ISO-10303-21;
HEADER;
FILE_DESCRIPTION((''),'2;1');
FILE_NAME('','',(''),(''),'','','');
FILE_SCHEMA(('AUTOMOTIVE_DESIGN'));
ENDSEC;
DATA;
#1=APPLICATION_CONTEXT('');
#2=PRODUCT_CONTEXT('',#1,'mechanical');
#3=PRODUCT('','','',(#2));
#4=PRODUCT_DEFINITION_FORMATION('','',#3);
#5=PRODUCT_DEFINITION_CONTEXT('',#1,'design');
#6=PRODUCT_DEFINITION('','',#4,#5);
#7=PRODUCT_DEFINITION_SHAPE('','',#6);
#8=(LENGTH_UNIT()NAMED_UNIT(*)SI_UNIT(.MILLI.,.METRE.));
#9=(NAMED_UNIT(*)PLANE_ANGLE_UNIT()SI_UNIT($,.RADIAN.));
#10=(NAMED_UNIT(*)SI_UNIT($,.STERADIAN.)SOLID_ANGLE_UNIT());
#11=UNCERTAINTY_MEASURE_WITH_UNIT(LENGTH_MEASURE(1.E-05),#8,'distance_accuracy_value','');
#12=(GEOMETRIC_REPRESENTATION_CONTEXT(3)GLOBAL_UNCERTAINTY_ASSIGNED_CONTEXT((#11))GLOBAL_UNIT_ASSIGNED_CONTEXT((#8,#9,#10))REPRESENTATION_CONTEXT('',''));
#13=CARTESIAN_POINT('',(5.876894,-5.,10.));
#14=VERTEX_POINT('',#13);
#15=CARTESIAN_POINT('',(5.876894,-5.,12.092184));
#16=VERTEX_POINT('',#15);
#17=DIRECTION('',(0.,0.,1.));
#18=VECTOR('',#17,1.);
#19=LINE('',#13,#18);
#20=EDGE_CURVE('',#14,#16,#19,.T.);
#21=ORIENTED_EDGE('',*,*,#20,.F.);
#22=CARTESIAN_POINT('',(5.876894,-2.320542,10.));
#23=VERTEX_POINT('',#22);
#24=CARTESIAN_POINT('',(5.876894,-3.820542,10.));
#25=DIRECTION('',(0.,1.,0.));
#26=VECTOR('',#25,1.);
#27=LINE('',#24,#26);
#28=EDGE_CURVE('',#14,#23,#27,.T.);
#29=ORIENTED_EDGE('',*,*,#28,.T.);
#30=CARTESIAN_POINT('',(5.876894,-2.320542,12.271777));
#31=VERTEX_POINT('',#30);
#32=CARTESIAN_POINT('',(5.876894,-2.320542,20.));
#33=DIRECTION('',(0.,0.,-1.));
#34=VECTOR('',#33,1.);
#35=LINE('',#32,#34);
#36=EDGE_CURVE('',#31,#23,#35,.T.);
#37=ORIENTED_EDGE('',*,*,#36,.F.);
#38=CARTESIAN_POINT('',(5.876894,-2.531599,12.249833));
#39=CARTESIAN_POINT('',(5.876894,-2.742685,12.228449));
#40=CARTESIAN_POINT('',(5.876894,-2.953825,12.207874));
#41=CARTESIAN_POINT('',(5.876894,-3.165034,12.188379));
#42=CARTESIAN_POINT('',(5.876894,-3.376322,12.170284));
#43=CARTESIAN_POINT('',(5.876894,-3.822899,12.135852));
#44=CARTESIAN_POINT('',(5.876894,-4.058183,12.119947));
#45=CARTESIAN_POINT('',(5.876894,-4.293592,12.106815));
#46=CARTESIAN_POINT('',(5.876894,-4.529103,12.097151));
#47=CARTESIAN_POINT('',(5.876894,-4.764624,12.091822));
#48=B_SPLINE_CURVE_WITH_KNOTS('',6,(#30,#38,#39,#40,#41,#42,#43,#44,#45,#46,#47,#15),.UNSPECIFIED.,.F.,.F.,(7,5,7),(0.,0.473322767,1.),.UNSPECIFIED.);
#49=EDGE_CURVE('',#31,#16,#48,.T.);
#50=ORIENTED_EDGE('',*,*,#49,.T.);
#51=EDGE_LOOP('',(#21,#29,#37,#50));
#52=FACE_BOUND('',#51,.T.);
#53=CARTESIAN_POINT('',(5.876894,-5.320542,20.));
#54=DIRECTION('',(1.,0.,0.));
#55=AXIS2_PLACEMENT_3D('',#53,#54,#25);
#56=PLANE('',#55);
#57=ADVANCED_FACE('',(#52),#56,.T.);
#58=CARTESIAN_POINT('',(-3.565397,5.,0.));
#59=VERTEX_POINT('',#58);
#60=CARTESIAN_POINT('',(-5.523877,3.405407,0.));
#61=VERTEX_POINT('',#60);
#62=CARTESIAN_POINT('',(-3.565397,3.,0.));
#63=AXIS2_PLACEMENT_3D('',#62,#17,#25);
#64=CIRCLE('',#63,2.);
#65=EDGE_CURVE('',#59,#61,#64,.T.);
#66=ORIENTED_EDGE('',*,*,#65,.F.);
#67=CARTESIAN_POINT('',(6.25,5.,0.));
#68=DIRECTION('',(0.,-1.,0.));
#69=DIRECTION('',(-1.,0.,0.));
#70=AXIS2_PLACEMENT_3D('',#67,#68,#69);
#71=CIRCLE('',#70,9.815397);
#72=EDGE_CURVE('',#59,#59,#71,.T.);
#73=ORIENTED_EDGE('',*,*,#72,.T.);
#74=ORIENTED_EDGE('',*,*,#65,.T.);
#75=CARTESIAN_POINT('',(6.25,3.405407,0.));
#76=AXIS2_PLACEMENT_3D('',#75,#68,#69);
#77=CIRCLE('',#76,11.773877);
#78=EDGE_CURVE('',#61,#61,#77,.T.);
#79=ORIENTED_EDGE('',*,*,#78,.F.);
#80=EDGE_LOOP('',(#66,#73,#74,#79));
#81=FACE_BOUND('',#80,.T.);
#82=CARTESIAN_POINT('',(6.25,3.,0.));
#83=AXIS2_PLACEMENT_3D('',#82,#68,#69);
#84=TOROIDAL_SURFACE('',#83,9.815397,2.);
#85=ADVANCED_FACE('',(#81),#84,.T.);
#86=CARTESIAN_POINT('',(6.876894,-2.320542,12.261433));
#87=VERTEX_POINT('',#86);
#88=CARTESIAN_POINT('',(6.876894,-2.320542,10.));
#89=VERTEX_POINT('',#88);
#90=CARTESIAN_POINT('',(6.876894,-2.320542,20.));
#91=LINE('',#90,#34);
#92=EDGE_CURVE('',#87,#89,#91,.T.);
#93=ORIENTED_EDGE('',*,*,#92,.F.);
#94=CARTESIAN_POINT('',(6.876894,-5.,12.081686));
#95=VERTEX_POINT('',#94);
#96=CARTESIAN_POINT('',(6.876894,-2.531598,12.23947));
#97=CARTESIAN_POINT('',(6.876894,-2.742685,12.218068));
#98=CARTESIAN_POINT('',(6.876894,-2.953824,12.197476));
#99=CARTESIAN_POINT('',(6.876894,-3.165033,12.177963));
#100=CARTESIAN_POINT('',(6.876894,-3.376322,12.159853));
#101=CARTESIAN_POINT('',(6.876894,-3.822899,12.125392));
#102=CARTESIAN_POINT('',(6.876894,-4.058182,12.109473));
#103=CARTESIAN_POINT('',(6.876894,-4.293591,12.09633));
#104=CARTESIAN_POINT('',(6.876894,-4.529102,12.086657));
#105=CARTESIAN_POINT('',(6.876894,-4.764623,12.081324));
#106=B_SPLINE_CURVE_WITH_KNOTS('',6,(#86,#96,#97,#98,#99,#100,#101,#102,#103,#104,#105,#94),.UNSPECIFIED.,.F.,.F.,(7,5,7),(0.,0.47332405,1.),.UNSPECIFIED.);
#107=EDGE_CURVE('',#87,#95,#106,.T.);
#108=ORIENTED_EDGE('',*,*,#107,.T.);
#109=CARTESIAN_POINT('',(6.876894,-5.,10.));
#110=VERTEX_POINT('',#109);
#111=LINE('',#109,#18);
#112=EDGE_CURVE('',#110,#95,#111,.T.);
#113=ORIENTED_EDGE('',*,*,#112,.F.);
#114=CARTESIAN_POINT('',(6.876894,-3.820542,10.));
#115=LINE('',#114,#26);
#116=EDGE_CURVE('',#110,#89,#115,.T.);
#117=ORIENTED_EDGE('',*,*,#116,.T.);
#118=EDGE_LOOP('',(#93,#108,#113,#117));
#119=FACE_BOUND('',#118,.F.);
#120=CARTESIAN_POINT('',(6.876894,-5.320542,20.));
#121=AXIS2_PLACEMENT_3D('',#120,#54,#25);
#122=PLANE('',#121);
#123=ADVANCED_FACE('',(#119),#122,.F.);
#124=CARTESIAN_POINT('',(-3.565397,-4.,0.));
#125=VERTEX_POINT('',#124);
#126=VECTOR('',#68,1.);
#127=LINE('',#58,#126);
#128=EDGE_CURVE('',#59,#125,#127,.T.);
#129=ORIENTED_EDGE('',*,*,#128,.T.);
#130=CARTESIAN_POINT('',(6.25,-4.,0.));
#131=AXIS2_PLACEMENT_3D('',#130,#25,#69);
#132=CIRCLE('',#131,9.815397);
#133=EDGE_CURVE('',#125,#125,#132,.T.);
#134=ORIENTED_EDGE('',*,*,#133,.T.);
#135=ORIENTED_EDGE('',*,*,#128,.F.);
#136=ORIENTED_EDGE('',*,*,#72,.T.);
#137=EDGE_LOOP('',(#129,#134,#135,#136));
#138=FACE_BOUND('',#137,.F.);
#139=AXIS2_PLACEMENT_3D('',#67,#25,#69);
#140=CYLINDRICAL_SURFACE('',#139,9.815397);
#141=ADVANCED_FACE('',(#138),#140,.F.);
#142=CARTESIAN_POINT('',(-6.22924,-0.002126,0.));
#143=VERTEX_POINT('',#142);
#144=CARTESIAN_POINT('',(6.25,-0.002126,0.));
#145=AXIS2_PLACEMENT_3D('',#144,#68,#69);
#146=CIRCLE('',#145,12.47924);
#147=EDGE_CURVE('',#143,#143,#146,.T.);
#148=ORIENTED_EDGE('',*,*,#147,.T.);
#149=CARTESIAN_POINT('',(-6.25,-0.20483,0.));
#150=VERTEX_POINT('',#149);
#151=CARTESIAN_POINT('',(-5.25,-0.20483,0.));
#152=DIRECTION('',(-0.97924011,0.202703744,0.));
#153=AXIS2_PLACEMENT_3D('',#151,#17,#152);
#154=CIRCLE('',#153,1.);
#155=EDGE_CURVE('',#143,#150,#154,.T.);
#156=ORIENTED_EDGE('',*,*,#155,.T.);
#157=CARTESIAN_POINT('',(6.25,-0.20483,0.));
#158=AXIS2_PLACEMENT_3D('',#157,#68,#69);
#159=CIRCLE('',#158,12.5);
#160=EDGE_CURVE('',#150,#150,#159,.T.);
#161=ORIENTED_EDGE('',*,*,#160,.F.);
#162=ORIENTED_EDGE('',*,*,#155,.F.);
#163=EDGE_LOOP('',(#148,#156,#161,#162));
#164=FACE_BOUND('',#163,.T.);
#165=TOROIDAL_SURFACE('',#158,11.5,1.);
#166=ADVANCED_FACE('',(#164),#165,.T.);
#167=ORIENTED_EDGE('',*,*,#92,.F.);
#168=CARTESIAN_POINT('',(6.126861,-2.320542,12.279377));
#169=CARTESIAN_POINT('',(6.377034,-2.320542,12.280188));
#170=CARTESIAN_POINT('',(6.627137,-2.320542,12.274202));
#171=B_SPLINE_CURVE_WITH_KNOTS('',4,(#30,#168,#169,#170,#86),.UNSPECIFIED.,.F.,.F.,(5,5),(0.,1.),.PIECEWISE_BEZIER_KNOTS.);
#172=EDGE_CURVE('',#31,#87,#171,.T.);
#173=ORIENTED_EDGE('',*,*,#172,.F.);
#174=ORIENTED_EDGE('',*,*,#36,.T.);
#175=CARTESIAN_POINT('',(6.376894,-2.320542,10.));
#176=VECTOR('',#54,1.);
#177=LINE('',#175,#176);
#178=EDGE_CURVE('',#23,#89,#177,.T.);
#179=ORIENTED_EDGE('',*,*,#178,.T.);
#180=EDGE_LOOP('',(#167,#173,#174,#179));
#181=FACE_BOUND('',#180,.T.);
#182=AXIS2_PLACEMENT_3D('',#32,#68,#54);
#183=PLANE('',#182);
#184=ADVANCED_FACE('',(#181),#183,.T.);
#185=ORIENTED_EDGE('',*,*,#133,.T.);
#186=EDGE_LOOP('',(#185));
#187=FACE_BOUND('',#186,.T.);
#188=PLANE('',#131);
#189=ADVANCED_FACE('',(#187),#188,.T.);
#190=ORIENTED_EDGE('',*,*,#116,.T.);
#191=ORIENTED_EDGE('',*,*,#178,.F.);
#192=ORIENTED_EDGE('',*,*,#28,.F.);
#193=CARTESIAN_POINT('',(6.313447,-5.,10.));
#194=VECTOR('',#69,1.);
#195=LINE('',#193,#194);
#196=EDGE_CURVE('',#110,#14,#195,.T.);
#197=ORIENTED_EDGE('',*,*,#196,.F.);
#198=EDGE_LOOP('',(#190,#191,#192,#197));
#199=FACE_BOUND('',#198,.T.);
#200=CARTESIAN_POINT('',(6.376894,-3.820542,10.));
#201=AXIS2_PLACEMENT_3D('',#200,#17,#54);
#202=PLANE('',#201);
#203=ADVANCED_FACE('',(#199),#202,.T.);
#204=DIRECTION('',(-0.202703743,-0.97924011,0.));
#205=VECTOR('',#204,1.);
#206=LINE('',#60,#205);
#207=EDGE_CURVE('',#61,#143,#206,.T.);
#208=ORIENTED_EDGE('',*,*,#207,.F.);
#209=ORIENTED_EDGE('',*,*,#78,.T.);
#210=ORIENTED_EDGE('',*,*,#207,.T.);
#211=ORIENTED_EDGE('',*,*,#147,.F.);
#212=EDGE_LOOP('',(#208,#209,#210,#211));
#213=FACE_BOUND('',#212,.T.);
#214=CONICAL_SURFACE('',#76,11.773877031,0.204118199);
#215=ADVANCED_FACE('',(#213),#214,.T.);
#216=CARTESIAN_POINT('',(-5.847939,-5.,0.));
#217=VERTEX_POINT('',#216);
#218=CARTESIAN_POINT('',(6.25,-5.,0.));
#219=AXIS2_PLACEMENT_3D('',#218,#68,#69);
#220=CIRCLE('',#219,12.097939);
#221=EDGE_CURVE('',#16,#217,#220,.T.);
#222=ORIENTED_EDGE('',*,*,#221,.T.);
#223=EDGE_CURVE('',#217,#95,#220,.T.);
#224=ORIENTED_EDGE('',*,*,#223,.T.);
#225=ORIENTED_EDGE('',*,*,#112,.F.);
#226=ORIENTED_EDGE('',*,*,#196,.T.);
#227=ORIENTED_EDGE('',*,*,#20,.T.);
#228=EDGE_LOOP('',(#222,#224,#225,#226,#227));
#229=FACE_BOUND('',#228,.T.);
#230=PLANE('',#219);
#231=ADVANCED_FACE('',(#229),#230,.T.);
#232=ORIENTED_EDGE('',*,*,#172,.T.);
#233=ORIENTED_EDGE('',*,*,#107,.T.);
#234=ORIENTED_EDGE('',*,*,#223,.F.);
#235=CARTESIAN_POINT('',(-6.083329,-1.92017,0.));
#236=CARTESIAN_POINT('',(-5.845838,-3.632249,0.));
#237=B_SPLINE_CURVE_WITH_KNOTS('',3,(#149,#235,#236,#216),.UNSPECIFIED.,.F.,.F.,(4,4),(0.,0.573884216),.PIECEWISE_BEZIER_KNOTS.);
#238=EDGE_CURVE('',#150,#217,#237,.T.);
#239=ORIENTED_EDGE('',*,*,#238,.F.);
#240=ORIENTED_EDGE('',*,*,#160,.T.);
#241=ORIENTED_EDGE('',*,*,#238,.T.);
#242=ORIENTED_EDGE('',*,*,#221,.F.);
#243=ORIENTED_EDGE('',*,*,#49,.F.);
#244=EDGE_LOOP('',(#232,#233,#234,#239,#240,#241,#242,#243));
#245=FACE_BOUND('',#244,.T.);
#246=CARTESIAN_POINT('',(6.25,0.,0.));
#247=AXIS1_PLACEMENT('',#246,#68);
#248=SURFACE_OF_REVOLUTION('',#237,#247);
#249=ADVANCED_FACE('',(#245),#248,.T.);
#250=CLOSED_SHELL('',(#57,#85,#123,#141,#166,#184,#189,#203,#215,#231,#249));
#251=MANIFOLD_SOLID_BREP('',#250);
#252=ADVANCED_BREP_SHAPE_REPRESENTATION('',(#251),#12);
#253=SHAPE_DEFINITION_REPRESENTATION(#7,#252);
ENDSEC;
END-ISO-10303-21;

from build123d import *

# Parameters (mm, degrees)
F2_R     = 9.8153968116
F3_DEPTH = 9
F5_W     = 1
F5_H     = 3
F6_DEPTH = 10


with BuildPart() as f1:
    # F0 (on Top) → F1 (revolve)
    with BuildSketch(Plane.XY):
        with BuildLine():
            Line((6.25, 5), (-3.5653968116, 5))
            ThreePointArc((-3.5653968116, 5), (-4.8281685697, 4.5509376154), (-5.523877031, 3.4054074869))
            Line((-5.523877031, 3.4054074869), (-6.2292401097, -0.0021261228))
            ThreePointArc((-6.2292401097, -0.0021261228), (-6.2447964892, -0.1029478503), (-6.25, -0.2048298662))
            add(Edge.make_bspline(
                [(-6.25, -0.2048298662), (-6.0833294246, -1.9201700348), (-5.8458379979, -3.6322490553), (-5.8479388244, -5)],
                knots=[0, 0, 0, 0, 0.5738842157, 0.5738842157, 0.5738842157, 0.5738842157], degree=3))
            Line((-5.8479388244, -5), (6.25, -5))
            Line((6.25, -5), (6.25, 5))
        make_face()
    revolve(axis=Axis((6.25, 0, 0), (0, -1, 0)))

    # F2 (on face) → F3 (cut)
    with BuildSketch(Plane(origin=(0, 5, 0), x_dir=(-1, 0, 0), z_dir=(0, 1, 0))):
        with Locations((-6.25, 0)):
            Circle(F2_R)
    extrude(amount=-F3_DEPTH, mode=Mode.SUBTRACT)

    # F5 (on offset) → F6 (cut)
    with BuildSketch(Plane.XY.offset(20)):
        with Locations((6.3768936433, -3.820542492)):
            Rectangle(F5_W, F5_H)
    extrude(amount=-F6_DEPTH, mode=Mode.SUBTRACT)


solid = f1.part
